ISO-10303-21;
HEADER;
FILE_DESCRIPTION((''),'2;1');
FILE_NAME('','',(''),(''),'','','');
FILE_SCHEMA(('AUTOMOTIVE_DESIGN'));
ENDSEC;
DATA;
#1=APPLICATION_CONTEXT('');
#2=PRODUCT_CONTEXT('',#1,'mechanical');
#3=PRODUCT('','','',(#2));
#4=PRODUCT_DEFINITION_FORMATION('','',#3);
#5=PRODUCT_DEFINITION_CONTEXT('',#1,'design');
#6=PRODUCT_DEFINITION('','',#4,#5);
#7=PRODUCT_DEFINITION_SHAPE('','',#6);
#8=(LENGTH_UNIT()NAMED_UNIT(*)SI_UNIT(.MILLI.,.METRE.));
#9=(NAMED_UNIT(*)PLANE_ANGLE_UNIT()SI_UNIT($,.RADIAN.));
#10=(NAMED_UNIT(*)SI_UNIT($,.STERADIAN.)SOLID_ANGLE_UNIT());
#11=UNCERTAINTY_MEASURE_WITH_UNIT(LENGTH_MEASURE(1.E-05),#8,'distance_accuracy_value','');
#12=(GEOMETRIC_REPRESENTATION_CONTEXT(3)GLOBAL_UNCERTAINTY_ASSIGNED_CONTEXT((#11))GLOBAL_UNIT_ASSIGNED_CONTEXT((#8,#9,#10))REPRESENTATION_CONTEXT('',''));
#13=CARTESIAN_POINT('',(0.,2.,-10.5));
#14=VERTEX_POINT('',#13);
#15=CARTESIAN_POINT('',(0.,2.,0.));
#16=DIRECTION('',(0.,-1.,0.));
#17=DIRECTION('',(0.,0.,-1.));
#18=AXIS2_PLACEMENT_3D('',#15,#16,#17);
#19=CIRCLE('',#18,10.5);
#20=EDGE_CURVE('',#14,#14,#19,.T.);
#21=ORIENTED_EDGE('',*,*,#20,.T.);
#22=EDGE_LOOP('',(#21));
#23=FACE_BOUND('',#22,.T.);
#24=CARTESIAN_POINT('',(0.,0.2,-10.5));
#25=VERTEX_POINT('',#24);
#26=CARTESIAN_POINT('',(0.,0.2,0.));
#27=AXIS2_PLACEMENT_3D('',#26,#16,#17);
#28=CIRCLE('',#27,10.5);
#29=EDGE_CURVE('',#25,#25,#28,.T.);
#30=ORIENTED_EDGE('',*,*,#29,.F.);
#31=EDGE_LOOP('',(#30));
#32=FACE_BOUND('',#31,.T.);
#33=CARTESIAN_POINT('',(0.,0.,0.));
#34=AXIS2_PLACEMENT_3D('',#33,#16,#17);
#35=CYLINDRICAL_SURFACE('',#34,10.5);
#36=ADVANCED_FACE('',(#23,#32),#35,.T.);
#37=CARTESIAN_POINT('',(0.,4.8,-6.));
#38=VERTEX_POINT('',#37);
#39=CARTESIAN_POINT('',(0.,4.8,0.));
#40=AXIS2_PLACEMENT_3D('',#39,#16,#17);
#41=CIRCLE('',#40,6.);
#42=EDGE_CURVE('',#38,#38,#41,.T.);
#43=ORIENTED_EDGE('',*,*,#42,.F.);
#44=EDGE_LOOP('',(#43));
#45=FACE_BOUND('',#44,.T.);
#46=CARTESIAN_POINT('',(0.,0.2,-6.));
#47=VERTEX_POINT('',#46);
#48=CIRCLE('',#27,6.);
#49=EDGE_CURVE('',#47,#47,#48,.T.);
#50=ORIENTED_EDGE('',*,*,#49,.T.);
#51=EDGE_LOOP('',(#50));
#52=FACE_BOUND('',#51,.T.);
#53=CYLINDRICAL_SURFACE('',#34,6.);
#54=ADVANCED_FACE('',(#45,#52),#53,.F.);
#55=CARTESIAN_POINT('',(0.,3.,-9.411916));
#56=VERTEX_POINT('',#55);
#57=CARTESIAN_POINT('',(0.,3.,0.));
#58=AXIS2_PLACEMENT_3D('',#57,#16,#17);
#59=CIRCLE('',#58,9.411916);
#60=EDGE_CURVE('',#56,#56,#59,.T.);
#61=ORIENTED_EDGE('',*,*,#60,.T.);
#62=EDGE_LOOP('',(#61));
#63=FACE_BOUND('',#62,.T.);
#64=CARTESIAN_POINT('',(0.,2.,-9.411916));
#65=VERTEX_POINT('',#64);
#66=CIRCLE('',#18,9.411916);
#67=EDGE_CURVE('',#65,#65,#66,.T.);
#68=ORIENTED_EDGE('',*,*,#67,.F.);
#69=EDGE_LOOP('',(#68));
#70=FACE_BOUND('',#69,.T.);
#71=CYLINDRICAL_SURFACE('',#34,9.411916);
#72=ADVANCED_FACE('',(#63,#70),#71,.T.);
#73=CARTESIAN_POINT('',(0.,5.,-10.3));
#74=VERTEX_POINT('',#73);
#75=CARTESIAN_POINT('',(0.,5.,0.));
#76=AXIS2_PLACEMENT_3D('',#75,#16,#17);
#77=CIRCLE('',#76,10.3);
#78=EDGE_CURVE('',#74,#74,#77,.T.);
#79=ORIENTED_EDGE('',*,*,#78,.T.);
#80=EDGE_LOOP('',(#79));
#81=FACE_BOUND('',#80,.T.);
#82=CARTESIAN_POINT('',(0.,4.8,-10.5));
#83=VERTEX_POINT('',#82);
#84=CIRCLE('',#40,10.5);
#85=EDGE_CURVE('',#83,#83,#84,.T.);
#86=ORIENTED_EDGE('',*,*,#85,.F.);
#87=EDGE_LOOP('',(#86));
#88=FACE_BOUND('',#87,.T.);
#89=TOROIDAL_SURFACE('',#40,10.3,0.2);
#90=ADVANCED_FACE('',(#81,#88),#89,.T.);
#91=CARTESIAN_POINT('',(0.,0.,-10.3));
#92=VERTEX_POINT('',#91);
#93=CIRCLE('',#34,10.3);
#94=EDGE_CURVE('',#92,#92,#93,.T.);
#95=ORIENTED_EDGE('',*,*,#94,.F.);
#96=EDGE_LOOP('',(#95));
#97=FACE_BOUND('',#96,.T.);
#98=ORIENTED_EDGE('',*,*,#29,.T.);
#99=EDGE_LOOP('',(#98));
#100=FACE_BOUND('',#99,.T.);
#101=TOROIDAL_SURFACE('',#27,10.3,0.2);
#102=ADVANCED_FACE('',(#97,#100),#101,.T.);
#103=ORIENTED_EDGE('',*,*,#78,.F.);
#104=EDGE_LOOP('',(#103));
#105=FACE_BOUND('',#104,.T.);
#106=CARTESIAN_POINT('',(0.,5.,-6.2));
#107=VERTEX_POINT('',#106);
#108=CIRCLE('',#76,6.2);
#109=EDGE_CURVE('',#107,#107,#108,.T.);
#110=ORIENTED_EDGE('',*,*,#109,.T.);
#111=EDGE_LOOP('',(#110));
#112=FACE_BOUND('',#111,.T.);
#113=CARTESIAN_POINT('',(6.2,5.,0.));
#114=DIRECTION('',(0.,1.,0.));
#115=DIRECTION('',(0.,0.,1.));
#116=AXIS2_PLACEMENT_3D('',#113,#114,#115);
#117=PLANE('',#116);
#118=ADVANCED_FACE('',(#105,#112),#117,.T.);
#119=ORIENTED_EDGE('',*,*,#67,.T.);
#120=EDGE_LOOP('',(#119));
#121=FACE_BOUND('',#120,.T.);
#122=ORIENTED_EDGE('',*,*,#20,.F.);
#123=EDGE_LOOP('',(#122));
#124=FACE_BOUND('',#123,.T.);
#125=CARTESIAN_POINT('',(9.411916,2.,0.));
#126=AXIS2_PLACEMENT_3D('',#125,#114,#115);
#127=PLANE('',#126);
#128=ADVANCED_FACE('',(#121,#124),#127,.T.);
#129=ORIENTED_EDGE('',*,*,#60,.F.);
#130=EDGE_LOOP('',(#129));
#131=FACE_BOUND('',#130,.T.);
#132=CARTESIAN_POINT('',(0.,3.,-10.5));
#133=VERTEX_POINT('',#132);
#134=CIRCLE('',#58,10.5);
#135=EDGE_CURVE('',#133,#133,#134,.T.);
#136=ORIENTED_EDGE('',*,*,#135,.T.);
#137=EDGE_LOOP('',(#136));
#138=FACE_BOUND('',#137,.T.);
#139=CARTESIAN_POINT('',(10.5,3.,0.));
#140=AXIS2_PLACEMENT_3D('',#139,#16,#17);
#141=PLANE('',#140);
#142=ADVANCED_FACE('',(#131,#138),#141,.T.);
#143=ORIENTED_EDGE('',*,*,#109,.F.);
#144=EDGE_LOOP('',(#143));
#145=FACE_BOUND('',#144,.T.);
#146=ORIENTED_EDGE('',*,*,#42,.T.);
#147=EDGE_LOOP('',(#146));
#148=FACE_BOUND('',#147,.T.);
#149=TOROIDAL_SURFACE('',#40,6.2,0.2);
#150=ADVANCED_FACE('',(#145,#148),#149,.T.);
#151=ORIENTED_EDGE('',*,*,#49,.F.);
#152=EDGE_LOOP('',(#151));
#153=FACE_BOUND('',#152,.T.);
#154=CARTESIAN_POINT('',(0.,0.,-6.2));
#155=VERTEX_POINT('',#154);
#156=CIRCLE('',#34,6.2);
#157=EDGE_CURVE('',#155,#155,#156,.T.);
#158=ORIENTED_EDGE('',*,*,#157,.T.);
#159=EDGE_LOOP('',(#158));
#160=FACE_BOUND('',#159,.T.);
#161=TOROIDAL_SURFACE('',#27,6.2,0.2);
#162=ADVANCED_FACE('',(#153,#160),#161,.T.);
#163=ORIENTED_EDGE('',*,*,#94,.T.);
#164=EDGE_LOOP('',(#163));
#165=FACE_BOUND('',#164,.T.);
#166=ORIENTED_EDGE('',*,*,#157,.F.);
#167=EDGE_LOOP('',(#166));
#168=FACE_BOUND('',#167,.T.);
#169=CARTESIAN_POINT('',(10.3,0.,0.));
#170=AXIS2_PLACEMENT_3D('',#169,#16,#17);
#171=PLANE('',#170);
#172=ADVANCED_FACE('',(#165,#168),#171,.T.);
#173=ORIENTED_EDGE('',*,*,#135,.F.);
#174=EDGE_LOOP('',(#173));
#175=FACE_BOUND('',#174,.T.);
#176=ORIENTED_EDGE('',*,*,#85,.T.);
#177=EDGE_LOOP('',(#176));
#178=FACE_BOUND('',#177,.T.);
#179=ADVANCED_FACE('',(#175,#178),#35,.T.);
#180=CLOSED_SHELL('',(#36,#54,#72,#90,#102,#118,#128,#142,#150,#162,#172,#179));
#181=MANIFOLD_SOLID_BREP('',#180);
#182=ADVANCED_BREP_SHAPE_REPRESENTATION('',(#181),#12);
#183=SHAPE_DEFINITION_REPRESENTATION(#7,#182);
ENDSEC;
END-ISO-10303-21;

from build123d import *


with BuildPart() as part:
    # Sketch1 → Revolve1 (revolve)
    with BuildSketch(Plane.XY):
        with BuildLine():
            Line((6, 0.2), (6, 4.8))
            ThreePointArc((6, 4.8), (6.058578644, 4.941421356), (6.2, 5))
            Line((6.2, 5), (10.3, 5))
            ThreePointArc((10.3, 5), (10.441421356, 4.941421356), (10.5, 4.8))
            Line((10.5, 4.8), (10.5, 3))
            Line((10.5, 3), (9.411915576, 3))
            Line((9.411915576, 3), (9.411915576, 2))
            Line((9.411915576, 2), (10.5, 2))
            Line((10.5, 2), (10.5, 0.2))
            ThreePointArc((10.5, 0.2), (10.441421356, 0.058578644), (10.3, 0))
            Line((10.3, 0), (6.2, 0))
            ThreePointArc((6.2, 0), (6.058578644, 0.058578644), (6, 0.2))
        make_face()
    revolve(axis=Axis((0, 0, 0), (0, 1, 0)))


solid = part.part
